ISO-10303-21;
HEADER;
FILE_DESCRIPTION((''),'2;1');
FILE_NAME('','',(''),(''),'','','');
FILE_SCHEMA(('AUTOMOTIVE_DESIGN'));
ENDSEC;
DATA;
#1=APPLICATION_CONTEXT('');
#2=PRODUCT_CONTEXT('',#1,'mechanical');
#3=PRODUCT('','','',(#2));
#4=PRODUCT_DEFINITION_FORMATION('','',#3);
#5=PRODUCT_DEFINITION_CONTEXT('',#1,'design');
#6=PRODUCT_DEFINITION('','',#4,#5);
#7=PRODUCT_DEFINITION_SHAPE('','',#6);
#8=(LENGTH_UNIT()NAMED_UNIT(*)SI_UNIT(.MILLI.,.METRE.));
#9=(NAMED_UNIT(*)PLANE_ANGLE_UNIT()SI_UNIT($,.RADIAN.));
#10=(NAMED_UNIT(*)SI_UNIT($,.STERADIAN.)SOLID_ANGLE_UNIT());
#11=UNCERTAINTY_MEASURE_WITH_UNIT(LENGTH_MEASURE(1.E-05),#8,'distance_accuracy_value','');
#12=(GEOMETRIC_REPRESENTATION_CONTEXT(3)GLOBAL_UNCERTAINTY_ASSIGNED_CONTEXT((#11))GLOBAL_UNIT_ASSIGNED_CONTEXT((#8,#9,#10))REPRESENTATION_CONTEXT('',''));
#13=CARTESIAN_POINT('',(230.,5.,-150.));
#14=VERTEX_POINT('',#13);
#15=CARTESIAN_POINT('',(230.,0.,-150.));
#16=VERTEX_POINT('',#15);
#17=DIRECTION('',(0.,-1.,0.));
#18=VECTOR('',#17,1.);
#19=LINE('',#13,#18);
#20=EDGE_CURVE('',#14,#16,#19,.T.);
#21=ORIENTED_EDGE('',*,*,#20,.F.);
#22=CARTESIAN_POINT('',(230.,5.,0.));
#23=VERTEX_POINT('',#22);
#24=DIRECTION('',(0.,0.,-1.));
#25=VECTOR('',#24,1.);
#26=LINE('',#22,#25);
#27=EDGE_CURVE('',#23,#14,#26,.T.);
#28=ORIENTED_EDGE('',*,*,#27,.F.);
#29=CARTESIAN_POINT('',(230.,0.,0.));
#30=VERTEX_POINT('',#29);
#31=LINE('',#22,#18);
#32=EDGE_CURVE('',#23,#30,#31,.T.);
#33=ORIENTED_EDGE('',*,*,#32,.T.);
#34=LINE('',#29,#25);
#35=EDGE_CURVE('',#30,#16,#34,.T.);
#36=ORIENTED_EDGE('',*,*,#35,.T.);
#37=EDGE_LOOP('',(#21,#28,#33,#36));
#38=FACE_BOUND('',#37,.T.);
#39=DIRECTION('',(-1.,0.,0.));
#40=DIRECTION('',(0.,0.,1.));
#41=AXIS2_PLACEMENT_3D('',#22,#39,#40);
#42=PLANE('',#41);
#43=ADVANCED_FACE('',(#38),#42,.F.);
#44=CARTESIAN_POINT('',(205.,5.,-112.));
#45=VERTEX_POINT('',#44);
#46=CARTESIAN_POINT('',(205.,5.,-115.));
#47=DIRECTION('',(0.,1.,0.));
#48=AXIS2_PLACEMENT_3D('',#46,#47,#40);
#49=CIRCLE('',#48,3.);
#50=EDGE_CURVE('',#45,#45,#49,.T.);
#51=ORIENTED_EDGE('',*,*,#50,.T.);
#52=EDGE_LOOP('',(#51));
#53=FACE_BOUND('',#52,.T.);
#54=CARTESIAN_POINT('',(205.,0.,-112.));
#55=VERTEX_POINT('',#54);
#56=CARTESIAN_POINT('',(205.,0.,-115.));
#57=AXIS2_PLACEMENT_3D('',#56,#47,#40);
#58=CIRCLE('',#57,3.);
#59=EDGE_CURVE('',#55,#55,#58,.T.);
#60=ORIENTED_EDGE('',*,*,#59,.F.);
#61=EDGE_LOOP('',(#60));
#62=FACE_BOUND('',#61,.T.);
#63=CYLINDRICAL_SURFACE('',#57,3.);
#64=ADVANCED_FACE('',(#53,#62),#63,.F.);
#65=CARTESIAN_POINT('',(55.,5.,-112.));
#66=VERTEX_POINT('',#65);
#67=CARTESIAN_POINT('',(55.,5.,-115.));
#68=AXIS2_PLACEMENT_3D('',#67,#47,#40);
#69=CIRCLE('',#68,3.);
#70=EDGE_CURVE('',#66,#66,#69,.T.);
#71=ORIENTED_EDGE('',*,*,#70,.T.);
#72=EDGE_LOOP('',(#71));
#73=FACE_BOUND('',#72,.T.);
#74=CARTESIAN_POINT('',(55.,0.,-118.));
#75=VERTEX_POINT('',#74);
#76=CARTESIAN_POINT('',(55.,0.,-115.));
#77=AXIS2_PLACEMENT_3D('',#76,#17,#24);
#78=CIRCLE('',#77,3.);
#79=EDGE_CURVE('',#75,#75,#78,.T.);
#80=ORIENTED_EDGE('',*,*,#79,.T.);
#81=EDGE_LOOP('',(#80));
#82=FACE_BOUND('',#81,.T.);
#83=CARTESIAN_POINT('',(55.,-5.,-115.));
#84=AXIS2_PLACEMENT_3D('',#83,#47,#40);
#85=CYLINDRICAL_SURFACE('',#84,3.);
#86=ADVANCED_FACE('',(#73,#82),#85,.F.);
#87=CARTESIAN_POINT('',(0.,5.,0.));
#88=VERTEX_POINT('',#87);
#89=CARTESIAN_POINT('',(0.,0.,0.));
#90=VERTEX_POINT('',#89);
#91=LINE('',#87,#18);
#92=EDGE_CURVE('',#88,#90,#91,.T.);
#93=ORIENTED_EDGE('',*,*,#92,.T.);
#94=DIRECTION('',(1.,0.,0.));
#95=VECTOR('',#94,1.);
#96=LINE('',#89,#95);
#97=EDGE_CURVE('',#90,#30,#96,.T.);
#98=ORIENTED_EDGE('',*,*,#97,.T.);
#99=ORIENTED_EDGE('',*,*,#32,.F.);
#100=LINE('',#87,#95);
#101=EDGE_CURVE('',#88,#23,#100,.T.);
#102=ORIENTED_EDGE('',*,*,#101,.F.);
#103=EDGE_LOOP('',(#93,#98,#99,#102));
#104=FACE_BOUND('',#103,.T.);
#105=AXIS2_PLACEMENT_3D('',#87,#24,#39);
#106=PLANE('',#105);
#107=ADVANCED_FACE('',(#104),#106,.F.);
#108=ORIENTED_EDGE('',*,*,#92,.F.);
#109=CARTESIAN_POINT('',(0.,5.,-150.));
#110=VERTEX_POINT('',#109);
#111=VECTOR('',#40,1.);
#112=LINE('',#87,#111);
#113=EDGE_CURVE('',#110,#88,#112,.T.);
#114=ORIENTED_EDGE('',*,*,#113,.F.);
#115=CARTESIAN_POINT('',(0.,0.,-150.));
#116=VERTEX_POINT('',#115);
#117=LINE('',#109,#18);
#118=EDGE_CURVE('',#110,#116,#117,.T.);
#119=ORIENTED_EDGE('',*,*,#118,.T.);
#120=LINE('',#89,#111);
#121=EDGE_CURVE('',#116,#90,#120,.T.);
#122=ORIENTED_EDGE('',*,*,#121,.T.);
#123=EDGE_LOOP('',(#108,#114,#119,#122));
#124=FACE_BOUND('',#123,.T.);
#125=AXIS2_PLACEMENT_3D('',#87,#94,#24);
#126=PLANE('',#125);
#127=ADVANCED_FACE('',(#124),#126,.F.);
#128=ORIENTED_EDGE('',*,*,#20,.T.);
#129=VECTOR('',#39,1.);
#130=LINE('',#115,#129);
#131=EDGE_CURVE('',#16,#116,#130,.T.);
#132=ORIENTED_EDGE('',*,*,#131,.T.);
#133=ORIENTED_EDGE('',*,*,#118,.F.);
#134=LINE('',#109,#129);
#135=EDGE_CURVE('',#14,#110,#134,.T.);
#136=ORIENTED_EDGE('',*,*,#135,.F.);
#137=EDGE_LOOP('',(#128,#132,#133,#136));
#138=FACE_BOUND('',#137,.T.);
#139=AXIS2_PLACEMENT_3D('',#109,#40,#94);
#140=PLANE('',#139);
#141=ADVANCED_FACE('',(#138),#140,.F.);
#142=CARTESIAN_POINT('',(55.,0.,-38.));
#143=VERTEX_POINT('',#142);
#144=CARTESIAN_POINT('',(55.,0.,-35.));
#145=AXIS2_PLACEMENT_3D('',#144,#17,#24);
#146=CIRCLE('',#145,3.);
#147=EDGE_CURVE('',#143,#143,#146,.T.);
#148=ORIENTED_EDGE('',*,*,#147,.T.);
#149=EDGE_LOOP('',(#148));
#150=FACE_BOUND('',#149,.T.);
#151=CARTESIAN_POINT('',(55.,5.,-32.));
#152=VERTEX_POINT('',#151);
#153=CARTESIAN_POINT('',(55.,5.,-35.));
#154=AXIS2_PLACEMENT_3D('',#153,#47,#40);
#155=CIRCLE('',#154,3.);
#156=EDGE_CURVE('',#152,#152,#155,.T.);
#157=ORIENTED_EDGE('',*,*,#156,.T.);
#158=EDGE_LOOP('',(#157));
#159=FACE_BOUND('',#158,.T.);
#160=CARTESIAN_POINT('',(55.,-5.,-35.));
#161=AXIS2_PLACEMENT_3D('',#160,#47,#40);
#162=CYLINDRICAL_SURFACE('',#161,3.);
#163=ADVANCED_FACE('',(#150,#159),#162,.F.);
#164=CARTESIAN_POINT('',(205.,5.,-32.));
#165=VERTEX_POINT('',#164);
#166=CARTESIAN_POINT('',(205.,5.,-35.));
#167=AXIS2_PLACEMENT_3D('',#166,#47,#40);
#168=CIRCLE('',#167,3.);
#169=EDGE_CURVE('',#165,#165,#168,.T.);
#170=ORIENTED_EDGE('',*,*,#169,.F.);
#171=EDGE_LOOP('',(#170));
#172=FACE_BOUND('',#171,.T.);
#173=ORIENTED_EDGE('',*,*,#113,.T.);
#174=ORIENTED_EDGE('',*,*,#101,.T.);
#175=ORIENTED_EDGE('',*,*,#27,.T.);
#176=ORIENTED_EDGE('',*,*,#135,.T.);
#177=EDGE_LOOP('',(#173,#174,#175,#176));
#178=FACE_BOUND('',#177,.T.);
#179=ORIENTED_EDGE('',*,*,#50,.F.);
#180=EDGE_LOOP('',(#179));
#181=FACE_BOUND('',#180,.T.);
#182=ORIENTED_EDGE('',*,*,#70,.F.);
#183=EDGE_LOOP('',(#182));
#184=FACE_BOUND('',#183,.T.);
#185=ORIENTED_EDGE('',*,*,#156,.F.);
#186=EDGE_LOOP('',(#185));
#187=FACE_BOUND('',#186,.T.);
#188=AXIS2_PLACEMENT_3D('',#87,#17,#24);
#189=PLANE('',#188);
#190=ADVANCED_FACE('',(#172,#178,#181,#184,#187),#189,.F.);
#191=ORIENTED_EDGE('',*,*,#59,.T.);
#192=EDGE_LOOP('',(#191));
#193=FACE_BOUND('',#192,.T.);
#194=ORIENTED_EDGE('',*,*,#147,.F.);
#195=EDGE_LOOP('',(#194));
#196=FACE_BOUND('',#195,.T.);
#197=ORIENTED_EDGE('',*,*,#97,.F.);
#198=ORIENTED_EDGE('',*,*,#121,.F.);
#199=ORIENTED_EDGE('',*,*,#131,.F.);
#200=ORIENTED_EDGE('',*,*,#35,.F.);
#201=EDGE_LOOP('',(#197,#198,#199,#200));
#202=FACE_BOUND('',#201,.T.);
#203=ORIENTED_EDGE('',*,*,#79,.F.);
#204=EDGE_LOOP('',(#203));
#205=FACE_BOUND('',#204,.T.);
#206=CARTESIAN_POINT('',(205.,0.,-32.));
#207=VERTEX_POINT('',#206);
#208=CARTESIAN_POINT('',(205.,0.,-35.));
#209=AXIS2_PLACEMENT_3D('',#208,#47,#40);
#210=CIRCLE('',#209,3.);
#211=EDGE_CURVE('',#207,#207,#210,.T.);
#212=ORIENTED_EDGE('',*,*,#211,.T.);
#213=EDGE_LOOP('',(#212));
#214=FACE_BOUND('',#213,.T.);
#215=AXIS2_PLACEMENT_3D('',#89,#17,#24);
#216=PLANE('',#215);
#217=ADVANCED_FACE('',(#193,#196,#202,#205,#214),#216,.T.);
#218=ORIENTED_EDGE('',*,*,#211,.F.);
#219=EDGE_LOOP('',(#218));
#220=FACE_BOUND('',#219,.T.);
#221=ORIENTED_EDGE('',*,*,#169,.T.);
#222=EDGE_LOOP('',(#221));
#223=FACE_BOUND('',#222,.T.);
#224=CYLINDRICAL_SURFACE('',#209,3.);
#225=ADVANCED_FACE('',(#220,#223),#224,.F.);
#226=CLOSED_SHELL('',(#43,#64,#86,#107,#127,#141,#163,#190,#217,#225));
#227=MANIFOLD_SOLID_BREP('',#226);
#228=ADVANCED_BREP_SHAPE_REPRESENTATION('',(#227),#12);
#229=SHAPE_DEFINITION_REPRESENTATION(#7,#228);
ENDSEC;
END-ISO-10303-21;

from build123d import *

# Parameters (mm, degrees)
SKETCH1_W           = 230
SKETCH1_H           = 150
BOSS_EXTRUDE1_DEPTH = 5
SKETCH3_R           = 3
CUT_EXTRUDE2_DEPTH  = 6
SKETCH4_R           = 3
CUT_EXTRUDE3_DEPTH  = 10


with BuildPart() as part:
    # Sketch1 → Boss-Extrude1 (new body)
    with BuildSketch(Plane(origin=(0, 0, 0), x_dir=(1, 0, 0), z_dir=(0, 1, 0))):
        with Locations((115, 75)):
            Rectangle(SKETCH1_W, SKETCH1_H)
    extrude(amount=BOSS_EXTRUDE1_DEPTH)

    # Sketch3 → Cut-Extrude2 (cut, through all)
    with BuildSketch(Plane(origin=(0, 5, 0), x_dir=(1, 0, 0), z_dir=(0, 1, 0))):
        with Locations((205, 35)):
            Circle(SKETCH3_R)
        with Locations((205, 115)):
            Circle(SKETCH3_R)
    extrude(amount=-CUT_EXTRUDE2_DEPTH, mode=Mode.SUBTRACT)

    # Sketch4 → Cut-Extrude3 (cut)
    with BuildSketch(Plane(origin=(0, 5, 0), x_dir=(1, 0, 0), z_dir=(0, 1, 0))):
        with Locations((55, 115)):
            Circle(SKETCH4_R)
        with Locations((55, 35)):
            Circle(SKETCH4_R)
    extrude(amount=-CUT_EXTRUDE3_DEPTH, mode=Mode.SUBTRACT)


solid = part.part
